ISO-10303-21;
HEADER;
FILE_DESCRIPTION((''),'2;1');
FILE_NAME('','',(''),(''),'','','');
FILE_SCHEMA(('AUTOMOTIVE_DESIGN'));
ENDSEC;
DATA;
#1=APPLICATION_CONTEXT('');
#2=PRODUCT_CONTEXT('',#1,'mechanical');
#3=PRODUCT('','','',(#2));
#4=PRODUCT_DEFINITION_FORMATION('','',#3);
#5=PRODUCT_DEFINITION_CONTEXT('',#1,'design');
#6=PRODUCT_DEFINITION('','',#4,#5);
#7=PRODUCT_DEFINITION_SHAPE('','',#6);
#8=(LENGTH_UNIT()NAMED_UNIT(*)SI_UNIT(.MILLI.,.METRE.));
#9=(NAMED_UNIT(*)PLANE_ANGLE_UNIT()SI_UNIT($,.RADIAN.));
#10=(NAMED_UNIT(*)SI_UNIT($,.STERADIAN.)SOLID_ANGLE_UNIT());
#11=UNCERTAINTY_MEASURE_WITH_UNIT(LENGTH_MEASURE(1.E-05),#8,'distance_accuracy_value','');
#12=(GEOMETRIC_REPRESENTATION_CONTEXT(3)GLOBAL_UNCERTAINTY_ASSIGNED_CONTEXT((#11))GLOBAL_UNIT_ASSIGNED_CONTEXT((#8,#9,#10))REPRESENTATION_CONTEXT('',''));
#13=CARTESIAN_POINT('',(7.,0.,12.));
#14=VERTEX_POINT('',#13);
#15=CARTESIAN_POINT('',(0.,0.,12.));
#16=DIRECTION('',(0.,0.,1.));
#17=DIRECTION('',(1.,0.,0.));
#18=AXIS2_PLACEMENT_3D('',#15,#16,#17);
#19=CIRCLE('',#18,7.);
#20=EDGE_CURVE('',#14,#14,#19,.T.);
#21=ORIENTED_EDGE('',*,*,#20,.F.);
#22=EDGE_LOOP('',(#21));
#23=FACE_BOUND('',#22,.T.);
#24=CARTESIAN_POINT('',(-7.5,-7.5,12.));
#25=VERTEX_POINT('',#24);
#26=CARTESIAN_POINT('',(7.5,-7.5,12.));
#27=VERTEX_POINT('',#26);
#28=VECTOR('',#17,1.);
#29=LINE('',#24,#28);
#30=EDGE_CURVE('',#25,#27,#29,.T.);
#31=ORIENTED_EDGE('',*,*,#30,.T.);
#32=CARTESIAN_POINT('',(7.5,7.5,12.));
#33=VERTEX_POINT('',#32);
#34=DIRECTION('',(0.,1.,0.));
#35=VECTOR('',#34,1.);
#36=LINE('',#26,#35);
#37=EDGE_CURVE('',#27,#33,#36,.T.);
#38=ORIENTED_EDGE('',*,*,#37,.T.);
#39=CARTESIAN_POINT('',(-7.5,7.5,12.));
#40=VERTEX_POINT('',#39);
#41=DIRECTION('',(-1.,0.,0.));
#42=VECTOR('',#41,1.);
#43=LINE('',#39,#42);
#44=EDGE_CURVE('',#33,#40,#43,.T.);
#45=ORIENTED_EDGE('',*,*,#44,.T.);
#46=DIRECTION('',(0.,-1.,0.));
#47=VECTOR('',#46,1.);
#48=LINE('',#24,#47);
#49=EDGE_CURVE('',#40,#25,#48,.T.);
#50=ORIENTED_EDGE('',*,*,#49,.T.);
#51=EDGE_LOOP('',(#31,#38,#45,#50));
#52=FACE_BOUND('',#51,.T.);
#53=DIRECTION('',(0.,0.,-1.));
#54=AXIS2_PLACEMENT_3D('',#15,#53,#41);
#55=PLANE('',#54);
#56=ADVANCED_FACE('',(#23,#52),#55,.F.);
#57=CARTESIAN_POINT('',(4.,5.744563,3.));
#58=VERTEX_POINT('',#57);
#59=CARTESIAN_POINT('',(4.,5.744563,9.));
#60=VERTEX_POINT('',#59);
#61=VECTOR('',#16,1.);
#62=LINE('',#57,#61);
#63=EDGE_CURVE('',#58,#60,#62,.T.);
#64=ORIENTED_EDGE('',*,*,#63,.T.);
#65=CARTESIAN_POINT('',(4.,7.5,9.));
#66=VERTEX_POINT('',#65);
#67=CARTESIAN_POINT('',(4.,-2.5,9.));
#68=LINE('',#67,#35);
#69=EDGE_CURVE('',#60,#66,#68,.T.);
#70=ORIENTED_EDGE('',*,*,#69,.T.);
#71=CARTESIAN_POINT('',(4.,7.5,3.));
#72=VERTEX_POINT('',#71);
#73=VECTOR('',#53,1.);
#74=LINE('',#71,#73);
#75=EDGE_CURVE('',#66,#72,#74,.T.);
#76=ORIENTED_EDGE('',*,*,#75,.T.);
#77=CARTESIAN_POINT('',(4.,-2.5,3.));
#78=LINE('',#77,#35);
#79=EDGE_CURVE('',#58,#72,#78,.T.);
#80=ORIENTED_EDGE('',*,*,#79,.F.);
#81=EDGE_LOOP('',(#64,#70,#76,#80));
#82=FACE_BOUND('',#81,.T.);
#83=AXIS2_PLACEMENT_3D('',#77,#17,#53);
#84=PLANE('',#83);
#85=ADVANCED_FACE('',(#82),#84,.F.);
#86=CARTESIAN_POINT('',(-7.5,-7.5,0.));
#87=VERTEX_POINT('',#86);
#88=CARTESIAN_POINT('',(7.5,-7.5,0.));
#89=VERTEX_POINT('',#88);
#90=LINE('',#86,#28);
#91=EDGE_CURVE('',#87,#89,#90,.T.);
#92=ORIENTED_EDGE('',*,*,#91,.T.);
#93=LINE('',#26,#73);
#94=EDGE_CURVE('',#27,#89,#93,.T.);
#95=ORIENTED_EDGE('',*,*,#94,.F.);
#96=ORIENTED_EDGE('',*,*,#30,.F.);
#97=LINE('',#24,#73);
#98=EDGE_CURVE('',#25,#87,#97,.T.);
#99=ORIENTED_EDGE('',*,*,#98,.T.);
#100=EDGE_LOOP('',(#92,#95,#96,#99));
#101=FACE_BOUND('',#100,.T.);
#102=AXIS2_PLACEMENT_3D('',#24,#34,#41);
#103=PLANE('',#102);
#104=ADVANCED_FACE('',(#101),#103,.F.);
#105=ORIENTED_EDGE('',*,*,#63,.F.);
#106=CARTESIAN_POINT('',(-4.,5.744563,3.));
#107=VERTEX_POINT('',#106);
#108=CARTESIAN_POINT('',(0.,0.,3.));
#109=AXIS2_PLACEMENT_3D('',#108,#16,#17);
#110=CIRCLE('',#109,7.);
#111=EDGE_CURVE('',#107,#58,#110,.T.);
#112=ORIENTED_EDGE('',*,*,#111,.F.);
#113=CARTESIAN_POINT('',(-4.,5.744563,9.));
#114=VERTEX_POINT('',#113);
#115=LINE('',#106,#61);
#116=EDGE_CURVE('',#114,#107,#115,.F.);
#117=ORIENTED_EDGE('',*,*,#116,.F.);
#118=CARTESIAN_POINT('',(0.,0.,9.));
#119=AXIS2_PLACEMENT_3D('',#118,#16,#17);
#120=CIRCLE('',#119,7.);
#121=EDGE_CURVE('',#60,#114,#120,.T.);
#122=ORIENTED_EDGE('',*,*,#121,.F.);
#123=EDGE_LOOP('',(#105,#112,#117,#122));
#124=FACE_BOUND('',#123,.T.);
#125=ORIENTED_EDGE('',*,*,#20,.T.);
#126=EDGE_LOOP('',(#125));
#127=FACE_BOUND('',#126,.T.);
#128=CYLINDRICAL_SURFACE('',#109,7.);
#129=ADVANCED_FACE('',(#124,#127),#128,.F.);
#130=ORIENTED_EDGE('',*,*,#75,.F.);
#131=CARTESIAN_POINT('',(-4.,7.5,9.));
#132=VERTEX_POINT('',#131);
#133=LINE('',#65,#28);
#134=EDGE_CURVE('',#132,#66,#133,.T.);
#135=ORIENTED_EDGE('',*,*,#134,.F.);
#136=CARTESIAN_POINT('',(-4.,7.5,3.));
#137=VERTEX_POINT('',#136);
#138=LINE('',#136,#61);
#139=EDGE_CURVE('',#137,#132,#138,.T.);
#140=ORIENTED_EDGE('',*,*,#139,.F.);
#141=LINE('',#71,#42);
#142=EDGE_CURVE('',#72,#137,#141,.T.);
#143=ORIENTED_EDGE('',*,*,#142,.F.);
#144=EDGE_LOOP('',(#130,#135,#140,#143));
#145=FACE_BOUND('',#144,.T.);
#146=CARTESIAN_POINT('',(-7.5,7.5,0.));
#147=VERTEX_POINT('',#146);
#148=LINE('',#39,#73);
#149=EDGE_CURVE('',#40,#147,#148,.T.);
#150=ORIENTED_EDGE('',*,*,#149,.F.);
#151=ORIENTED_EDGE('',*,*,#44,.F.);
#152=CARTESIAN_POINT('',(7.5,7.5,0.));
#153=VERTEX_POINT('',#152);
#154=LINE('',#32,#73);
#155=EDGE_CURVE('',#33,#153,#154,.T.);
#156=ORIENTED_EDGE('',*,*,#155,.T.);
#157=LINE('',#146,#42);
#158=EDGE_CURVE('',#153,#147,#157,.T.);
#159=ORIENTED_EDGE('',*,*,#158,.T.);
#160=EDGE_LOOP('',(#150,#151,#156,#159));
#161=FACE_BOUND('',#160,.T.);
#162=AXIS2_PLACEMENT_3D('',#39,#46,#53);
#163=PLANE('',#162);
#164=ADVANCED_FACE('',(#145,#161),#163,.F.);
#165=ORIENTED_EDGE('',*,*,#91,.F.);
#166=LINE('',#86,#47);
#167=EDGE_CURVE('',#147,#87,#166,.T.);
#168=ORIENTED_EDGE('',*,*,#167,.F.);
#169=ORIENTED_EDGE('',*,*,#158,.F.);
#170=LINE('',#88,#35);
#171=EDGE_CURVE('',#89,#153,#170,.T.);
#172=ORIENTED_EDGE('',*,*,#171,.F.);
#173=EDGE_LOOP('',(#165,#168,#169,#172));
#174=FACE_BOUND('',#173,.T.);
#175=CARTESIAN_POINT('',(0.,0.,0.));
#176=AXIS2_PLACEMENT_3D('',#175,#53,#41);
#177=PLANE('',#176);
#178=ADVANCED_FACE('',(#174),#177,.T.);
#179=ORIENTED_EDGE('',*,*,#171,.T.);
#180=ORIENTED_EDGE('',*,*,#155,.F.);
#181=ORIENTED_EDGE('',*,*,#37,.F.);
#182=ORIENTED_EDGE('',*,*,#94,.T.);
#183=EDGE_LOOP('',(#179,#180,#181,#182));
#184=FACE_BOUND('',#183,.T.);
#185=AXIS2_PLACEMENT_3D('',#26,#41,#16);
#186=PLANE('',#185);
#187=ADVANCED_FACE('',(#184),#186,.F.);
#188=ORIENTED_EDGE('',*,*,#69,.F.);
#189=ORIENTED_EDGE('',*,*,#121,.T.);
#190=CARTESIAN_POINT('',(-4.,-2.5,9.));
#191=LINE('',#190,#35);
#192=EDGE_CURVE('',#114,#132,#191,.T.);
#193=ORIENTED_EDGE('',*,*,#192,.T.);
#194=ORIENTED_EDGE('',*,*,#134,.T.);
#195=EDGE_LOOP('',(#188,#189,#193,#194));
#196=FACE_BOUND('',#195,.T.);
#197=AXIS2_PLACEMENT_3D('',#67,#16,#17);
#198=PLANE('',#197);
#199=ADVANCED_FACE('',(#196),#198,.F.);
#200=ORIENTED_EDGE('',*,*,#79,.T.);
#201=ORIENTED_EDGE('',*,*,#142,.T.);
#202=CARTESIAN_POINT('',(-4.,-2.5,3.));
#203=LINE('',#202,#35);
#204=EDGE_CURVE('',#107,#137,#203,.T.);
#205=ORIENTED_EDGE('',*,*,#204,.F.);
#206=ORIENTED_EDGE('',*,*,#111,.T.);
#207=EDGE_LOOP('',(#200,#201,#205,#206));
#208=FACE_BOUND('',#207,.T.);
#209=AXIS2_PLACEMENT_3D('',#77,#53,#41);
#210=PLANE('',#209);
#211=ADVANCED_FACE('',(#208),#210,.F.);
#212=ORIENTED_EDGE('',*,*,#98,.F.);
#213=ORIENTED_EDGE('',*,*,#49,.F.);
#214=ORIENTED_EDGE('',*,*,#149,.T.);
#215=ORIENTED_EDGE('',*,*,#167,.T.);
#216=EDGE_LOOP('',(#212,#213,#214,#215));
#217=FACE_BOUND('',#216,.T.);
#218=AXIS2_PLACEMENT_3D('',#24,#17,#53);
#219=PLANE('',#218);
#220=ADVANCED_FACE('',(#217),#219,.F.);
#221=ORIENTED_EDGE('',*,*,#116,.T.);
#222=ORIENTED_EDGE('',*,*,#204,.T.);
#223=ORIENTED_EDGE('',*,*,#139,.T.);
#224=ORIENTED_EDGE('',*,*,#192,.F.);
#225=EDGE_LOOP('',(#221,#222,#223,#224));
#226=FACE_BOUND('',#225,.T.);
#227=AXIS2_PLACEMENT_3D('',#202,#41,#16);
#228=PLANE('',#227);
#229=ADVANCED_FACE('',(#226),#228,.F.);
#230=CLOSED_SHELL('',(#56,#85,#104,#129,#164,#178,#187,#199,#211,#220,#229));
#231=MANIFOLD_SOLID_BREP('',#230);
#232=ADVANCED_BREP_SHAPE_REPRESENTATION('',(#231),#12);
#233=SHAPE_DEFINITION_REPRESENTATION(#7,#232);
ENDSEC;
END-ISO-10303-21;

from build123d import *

# Parameters (mm, degrees)
CROQUIS1_W              = 15
CROQUIS1_H              = 15
SALIENTE_EXTRUIR1_DEPTH = 12
CROQUIS2_W              = 8
CROQUIS2_H              = 6
CORTAR_EXTRUIR1_DEPTH   = 10
CROQUIS3_R              = 7
CORTAR_EXTRUIR2_DEPTH   = 9


with BuildPart() as part:
    # Croquis1 → Saliente-Extruir1 (new body)
    with BuildSketch(Plane.XY):
        Rectangle(CROQUIS1_W, CROQUIS1_H)
    extrude(amount=SALIENTE_EXTRUIR1_DEPTH)

    # Croquis2 → Cortar-Extruir1 (cut)
    with BuildSketch(Plane(origin=(0, 7.5, 0), x_dir=(1, 0, 0), z_dir=(0, 1, 0))):
        with Locations((0, -6)):
            Rectangle(CROQUIS2_W, CROQUIS2_H)
    extrude(amount=-CORTAR_EXTRUIR1_DEPTH, mode=Mode.SUBTRACT)

    # Croquis3 → Cortar-Extruir2 (cut)
    with BuildSketch(Plane.XY.offset(12)):
        Circle(CROQUIS3_R)
    extrude(amount=-CORTAR_EXTRUIR2_DEPTH, mode=Mode.SUBTRACT)


solid = part.part
